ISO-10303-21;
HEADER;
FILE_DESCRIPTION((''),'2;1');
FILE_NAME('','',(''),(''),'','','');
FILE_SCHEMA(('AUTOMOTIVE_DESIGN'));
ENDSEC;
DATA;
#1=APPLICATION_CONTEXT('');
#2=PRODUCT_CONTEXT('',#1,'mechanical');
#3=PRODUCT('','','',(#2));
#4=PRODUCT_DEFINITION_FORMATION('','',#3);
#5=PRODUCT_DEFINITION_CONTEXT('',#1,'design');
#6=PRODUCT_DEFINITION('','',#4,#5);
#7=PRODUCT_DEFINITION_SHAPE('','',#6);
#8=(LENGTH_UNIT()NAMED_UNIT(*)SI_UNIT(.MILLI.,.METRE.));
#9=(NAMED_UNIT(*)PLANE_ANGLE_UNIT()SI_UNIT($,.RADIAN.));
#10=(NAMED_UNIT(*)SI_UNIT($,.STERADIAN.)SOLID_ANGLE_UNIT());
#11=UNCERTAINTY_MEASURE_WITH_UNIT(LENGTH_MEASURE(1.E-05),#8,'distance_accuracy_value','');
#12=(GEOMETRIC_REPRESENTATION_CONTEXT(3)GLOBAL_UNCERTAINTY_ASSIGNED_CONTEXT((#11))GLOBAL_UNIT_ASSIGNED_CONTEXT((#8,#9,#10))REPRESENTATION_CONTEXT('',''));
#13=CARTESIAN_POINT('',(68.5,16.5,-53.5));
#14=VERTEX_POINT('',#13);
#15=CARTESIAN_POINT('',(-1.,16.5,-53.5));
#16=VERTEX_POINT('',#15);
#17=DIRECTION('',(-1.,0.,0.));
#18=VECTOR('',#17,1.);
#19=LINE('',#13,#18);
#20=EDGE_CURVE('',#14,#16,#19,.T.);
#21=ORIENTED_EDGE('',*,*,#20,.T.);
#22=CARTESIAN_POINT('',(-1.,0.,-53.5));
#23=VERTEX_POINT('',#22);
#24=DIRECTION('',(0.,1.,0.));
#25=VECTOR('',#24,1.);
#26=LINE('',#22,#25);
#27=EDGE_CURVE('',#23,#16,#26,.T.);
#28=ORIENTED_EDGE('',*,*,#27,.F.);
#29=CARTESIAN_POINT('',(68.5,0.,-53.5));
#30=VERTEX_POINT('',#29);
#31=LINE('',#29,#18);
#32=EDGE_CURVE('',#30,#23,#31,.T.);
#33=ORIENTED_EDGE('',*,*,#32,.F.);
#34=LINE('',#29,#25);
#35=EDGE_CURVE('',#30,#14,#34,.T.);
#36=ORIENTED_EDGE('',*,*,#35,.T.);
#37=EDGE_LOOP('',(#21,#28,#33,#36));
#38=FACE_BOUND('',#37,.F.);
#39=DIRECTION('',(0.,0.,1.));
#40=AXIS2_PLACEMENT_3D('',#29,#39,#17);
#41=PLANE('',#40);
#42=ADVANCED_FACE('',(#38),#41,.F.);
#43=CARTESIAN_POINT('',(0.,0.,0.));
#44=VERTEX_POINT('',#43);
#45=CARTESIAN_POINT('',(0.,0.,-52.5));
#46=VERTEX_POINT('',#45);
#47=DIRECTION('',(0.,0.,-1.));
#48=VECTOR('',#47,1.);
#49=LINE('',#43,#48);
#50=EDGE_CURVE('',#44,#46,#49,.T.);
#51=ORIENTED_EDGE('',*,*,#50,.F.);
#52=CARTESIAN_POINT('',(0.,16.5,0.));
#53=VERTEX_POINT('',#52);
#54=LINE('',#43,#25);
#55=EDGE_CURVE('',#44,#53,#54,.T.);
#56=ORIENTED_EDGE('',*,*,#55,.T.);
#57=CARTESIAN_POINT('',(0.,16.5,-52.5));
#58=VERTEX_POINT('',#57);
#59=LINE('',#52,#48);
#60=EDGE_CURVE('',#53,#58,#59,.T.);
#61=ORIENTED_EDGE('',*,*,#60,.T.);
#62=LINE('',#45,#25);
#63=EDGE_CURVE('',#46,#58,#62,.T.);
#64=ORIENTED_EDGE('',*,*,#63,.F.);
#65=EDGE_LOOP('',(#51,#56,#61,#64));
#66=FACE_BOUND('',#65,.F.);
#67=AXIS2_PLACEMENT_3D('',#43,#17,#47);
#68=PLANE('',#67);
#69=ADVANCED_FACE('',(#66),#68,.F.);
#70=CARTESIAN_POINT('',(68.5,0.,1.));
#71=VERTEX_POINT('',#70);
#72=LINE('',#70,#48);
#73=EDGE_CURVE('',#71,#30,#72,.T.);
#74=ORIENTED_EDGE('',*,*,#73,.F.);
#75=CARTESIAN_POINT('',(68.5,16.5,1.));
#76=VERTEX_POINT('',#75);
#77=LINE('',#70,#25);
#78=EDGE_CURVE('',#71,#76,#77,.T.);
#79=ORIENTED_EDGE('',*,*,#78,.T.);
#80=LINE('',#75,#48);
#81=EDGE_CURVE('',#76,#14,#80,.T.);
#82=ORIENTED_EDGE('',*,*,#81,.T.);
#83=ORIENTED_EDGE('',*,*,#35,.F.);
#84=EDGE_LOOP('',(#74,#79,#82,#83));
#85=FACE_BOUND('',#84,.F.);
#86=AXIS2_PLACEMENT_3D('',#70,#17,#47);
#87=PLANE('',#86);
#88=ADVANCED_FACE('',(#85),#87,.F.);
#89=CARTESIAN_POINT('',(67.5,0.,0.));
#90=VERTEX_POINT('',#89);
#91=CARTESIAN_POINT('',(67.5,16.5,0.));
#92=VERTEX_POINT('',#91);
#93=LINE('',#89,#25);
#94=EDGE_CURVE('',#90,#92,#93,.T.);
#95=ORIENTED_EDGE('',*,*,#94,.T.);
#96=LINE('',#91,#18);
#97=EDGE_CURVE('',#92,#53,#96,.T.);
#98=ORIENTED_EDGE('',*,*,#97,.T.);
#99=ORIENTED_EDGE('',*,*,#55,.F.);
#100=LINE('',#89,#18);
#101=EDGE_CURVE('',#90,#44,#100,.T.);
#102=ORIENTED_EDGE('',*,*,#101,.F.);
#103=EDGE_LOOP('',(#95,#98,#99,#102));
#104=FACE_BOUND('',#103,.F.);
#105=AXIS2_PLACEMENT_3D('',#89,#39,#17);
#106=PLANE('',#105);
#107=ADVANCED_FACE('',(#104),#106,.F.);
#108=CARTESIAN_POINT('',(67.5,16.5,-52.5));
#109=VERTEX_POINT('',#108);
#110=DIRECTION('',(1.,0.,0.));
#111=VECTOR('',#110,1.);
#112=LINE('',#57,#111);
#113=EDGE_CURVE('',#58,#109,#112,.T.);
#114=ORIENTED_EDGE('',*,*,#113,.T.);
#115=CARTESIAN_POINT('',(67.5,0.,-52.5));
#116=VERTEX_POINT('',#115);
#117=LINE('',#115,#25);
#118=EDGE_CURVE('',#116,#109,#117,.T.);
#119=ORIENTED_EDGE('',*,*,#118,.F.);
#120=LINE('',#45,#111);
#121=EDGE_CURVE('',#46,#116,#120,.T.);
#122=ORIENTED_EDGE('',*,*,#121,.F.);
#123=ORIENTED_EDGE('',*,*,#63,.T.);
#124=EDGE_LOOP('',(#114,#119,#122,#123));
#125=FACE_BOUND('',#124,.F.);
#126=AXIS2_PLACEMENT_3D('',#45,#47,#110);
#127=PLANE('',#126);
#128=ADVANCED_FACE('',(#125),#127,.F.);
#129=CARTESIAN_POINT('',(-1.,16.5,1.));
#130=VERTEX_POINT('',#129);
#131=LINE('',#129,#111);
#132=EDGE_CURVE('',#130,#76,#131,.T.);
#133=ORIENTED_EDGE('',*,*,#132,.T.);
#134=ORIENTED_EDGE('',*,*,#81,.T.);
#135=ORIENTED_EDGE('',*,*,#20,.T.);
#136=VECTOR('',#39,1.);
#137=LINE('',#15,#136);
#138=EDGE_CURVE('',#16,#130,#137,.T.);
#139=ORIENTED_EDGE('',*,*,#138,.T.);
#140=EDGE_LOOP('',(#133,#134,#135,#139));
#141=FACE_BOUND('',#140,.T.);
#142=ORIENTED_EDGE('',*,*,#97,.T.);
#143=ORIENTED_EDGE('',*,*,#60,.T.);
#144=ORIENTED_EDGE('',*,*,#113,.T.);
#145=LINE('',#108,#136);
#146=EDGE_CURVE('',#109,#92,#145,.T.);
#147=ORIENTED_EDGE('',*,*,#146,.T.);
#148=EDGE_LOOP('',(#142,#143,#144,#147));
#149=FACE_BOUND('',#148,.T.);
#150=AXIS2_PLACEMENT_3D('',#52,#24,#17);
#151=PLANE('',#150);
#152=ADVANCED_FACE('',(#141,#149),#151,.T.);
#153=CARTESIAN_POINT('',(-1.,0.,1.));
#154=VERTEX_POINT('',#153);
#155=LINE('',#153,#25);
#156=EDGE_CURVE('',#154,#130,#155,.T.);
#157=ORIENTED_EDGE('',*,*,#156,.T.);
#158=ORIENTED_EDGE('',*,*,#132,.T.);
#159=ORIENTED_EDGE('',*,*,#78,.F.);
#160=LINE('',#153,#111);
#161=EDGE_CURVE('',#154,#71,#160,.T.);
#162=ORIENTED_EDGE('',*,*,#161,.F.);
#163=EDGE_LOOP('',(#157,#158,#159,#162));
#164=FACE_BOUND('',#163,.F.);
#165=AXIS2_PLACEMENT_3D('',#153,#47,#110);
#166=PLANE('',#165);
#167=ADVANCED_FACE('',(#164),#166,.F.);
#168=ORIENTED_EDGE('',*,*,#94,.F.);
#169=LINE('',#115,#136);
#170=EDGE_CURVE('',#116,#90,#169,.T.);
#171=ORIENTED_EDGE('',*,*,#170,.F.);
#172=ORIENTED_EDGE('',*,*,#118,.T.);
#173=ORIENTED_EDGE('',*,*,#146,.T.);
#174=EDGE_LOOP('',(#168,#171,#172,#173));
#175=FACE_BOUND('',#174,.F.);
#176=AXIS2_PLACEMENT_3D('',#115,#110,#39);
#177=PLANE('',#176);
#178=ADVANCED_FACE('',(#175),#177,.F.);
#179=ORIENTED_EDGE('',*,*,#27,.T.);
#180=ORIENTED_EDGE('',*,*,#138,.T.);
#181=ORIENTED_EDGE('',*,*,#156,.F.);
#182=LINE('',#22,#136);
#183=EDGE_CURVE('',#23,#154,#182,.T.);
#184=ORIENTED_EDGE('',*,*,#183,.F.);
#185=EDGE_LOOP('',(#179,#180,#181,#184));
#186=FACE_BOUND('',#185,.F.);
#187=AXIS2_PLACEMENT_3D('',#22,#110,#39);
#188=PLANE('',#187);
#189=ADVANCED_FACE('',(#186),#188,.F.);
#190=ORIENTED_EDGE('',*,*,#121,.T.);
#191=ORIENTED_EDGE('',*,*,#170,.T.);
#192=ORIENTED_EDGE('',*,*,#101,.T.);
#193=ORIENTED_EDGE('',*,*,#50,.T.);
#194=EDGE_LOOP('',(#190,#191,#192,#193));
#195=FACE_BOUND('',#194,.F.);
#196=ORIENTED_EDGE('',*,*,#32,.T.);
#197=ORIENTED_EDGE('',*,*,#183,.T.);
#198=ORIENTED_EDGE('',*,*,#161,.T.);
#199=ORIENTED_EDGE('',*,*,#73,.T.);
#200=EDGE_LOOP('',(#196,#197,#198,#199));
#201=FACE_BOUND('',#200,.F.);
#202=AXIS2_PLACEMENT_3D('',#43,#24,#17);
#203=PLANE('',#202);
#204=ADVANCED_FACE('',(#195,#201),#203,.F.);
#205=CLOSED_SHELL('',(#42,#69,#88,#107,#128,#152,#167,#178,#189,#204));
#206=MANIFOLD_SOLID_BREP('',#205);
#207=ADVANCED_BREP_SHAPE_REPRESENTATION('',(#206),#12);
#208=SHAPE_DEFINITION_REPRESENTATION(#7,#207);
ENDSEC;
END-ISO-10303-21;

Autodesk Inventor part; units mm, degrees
ref_plane "YZ Plane" through (0, 0, 0) normal (1, 0, 0) x (0, 1, 0)
ref_plane "XZ Plane" through (0, 0, 0) normal (0, 1, 0) x (-1, 0, 0)
ref_plane "XY Plane" through (0, 0, 0) normal (0, 0, 1) x (1, 0, 0)
sketch "Sketch1" plane through (0, 0, 0) normal (0, 1, 0) x (-1, 0, 0)
  line L0 (0, 0) -> (0, -52.5)
  line L1 (0, -52.5) -> (-67.5, -52.5)
  line L2 (-67.5, -52.5) -> (-67.5, 0)
  line L3 (-67.5, 0) -> (0, 0)
  line L4 (-68.5, -53.5) -> (1, -53.5)
  line L5 (1, -53.5) -> (1, 1)
  line L6 (1, 1) -> (-68.5, 1)
  line L7 (-68.5, 1) -> (-68.5, -53.5)
  dimension "d0" = 52.5
  dimension "d1" = 67.5
  dimension "d2" = 52.5
  dimension "d3" = 1
extrude "Extrusion1" add sketch "Sketch1" along normal blind 16.5
properties part number "veggur_lok"
